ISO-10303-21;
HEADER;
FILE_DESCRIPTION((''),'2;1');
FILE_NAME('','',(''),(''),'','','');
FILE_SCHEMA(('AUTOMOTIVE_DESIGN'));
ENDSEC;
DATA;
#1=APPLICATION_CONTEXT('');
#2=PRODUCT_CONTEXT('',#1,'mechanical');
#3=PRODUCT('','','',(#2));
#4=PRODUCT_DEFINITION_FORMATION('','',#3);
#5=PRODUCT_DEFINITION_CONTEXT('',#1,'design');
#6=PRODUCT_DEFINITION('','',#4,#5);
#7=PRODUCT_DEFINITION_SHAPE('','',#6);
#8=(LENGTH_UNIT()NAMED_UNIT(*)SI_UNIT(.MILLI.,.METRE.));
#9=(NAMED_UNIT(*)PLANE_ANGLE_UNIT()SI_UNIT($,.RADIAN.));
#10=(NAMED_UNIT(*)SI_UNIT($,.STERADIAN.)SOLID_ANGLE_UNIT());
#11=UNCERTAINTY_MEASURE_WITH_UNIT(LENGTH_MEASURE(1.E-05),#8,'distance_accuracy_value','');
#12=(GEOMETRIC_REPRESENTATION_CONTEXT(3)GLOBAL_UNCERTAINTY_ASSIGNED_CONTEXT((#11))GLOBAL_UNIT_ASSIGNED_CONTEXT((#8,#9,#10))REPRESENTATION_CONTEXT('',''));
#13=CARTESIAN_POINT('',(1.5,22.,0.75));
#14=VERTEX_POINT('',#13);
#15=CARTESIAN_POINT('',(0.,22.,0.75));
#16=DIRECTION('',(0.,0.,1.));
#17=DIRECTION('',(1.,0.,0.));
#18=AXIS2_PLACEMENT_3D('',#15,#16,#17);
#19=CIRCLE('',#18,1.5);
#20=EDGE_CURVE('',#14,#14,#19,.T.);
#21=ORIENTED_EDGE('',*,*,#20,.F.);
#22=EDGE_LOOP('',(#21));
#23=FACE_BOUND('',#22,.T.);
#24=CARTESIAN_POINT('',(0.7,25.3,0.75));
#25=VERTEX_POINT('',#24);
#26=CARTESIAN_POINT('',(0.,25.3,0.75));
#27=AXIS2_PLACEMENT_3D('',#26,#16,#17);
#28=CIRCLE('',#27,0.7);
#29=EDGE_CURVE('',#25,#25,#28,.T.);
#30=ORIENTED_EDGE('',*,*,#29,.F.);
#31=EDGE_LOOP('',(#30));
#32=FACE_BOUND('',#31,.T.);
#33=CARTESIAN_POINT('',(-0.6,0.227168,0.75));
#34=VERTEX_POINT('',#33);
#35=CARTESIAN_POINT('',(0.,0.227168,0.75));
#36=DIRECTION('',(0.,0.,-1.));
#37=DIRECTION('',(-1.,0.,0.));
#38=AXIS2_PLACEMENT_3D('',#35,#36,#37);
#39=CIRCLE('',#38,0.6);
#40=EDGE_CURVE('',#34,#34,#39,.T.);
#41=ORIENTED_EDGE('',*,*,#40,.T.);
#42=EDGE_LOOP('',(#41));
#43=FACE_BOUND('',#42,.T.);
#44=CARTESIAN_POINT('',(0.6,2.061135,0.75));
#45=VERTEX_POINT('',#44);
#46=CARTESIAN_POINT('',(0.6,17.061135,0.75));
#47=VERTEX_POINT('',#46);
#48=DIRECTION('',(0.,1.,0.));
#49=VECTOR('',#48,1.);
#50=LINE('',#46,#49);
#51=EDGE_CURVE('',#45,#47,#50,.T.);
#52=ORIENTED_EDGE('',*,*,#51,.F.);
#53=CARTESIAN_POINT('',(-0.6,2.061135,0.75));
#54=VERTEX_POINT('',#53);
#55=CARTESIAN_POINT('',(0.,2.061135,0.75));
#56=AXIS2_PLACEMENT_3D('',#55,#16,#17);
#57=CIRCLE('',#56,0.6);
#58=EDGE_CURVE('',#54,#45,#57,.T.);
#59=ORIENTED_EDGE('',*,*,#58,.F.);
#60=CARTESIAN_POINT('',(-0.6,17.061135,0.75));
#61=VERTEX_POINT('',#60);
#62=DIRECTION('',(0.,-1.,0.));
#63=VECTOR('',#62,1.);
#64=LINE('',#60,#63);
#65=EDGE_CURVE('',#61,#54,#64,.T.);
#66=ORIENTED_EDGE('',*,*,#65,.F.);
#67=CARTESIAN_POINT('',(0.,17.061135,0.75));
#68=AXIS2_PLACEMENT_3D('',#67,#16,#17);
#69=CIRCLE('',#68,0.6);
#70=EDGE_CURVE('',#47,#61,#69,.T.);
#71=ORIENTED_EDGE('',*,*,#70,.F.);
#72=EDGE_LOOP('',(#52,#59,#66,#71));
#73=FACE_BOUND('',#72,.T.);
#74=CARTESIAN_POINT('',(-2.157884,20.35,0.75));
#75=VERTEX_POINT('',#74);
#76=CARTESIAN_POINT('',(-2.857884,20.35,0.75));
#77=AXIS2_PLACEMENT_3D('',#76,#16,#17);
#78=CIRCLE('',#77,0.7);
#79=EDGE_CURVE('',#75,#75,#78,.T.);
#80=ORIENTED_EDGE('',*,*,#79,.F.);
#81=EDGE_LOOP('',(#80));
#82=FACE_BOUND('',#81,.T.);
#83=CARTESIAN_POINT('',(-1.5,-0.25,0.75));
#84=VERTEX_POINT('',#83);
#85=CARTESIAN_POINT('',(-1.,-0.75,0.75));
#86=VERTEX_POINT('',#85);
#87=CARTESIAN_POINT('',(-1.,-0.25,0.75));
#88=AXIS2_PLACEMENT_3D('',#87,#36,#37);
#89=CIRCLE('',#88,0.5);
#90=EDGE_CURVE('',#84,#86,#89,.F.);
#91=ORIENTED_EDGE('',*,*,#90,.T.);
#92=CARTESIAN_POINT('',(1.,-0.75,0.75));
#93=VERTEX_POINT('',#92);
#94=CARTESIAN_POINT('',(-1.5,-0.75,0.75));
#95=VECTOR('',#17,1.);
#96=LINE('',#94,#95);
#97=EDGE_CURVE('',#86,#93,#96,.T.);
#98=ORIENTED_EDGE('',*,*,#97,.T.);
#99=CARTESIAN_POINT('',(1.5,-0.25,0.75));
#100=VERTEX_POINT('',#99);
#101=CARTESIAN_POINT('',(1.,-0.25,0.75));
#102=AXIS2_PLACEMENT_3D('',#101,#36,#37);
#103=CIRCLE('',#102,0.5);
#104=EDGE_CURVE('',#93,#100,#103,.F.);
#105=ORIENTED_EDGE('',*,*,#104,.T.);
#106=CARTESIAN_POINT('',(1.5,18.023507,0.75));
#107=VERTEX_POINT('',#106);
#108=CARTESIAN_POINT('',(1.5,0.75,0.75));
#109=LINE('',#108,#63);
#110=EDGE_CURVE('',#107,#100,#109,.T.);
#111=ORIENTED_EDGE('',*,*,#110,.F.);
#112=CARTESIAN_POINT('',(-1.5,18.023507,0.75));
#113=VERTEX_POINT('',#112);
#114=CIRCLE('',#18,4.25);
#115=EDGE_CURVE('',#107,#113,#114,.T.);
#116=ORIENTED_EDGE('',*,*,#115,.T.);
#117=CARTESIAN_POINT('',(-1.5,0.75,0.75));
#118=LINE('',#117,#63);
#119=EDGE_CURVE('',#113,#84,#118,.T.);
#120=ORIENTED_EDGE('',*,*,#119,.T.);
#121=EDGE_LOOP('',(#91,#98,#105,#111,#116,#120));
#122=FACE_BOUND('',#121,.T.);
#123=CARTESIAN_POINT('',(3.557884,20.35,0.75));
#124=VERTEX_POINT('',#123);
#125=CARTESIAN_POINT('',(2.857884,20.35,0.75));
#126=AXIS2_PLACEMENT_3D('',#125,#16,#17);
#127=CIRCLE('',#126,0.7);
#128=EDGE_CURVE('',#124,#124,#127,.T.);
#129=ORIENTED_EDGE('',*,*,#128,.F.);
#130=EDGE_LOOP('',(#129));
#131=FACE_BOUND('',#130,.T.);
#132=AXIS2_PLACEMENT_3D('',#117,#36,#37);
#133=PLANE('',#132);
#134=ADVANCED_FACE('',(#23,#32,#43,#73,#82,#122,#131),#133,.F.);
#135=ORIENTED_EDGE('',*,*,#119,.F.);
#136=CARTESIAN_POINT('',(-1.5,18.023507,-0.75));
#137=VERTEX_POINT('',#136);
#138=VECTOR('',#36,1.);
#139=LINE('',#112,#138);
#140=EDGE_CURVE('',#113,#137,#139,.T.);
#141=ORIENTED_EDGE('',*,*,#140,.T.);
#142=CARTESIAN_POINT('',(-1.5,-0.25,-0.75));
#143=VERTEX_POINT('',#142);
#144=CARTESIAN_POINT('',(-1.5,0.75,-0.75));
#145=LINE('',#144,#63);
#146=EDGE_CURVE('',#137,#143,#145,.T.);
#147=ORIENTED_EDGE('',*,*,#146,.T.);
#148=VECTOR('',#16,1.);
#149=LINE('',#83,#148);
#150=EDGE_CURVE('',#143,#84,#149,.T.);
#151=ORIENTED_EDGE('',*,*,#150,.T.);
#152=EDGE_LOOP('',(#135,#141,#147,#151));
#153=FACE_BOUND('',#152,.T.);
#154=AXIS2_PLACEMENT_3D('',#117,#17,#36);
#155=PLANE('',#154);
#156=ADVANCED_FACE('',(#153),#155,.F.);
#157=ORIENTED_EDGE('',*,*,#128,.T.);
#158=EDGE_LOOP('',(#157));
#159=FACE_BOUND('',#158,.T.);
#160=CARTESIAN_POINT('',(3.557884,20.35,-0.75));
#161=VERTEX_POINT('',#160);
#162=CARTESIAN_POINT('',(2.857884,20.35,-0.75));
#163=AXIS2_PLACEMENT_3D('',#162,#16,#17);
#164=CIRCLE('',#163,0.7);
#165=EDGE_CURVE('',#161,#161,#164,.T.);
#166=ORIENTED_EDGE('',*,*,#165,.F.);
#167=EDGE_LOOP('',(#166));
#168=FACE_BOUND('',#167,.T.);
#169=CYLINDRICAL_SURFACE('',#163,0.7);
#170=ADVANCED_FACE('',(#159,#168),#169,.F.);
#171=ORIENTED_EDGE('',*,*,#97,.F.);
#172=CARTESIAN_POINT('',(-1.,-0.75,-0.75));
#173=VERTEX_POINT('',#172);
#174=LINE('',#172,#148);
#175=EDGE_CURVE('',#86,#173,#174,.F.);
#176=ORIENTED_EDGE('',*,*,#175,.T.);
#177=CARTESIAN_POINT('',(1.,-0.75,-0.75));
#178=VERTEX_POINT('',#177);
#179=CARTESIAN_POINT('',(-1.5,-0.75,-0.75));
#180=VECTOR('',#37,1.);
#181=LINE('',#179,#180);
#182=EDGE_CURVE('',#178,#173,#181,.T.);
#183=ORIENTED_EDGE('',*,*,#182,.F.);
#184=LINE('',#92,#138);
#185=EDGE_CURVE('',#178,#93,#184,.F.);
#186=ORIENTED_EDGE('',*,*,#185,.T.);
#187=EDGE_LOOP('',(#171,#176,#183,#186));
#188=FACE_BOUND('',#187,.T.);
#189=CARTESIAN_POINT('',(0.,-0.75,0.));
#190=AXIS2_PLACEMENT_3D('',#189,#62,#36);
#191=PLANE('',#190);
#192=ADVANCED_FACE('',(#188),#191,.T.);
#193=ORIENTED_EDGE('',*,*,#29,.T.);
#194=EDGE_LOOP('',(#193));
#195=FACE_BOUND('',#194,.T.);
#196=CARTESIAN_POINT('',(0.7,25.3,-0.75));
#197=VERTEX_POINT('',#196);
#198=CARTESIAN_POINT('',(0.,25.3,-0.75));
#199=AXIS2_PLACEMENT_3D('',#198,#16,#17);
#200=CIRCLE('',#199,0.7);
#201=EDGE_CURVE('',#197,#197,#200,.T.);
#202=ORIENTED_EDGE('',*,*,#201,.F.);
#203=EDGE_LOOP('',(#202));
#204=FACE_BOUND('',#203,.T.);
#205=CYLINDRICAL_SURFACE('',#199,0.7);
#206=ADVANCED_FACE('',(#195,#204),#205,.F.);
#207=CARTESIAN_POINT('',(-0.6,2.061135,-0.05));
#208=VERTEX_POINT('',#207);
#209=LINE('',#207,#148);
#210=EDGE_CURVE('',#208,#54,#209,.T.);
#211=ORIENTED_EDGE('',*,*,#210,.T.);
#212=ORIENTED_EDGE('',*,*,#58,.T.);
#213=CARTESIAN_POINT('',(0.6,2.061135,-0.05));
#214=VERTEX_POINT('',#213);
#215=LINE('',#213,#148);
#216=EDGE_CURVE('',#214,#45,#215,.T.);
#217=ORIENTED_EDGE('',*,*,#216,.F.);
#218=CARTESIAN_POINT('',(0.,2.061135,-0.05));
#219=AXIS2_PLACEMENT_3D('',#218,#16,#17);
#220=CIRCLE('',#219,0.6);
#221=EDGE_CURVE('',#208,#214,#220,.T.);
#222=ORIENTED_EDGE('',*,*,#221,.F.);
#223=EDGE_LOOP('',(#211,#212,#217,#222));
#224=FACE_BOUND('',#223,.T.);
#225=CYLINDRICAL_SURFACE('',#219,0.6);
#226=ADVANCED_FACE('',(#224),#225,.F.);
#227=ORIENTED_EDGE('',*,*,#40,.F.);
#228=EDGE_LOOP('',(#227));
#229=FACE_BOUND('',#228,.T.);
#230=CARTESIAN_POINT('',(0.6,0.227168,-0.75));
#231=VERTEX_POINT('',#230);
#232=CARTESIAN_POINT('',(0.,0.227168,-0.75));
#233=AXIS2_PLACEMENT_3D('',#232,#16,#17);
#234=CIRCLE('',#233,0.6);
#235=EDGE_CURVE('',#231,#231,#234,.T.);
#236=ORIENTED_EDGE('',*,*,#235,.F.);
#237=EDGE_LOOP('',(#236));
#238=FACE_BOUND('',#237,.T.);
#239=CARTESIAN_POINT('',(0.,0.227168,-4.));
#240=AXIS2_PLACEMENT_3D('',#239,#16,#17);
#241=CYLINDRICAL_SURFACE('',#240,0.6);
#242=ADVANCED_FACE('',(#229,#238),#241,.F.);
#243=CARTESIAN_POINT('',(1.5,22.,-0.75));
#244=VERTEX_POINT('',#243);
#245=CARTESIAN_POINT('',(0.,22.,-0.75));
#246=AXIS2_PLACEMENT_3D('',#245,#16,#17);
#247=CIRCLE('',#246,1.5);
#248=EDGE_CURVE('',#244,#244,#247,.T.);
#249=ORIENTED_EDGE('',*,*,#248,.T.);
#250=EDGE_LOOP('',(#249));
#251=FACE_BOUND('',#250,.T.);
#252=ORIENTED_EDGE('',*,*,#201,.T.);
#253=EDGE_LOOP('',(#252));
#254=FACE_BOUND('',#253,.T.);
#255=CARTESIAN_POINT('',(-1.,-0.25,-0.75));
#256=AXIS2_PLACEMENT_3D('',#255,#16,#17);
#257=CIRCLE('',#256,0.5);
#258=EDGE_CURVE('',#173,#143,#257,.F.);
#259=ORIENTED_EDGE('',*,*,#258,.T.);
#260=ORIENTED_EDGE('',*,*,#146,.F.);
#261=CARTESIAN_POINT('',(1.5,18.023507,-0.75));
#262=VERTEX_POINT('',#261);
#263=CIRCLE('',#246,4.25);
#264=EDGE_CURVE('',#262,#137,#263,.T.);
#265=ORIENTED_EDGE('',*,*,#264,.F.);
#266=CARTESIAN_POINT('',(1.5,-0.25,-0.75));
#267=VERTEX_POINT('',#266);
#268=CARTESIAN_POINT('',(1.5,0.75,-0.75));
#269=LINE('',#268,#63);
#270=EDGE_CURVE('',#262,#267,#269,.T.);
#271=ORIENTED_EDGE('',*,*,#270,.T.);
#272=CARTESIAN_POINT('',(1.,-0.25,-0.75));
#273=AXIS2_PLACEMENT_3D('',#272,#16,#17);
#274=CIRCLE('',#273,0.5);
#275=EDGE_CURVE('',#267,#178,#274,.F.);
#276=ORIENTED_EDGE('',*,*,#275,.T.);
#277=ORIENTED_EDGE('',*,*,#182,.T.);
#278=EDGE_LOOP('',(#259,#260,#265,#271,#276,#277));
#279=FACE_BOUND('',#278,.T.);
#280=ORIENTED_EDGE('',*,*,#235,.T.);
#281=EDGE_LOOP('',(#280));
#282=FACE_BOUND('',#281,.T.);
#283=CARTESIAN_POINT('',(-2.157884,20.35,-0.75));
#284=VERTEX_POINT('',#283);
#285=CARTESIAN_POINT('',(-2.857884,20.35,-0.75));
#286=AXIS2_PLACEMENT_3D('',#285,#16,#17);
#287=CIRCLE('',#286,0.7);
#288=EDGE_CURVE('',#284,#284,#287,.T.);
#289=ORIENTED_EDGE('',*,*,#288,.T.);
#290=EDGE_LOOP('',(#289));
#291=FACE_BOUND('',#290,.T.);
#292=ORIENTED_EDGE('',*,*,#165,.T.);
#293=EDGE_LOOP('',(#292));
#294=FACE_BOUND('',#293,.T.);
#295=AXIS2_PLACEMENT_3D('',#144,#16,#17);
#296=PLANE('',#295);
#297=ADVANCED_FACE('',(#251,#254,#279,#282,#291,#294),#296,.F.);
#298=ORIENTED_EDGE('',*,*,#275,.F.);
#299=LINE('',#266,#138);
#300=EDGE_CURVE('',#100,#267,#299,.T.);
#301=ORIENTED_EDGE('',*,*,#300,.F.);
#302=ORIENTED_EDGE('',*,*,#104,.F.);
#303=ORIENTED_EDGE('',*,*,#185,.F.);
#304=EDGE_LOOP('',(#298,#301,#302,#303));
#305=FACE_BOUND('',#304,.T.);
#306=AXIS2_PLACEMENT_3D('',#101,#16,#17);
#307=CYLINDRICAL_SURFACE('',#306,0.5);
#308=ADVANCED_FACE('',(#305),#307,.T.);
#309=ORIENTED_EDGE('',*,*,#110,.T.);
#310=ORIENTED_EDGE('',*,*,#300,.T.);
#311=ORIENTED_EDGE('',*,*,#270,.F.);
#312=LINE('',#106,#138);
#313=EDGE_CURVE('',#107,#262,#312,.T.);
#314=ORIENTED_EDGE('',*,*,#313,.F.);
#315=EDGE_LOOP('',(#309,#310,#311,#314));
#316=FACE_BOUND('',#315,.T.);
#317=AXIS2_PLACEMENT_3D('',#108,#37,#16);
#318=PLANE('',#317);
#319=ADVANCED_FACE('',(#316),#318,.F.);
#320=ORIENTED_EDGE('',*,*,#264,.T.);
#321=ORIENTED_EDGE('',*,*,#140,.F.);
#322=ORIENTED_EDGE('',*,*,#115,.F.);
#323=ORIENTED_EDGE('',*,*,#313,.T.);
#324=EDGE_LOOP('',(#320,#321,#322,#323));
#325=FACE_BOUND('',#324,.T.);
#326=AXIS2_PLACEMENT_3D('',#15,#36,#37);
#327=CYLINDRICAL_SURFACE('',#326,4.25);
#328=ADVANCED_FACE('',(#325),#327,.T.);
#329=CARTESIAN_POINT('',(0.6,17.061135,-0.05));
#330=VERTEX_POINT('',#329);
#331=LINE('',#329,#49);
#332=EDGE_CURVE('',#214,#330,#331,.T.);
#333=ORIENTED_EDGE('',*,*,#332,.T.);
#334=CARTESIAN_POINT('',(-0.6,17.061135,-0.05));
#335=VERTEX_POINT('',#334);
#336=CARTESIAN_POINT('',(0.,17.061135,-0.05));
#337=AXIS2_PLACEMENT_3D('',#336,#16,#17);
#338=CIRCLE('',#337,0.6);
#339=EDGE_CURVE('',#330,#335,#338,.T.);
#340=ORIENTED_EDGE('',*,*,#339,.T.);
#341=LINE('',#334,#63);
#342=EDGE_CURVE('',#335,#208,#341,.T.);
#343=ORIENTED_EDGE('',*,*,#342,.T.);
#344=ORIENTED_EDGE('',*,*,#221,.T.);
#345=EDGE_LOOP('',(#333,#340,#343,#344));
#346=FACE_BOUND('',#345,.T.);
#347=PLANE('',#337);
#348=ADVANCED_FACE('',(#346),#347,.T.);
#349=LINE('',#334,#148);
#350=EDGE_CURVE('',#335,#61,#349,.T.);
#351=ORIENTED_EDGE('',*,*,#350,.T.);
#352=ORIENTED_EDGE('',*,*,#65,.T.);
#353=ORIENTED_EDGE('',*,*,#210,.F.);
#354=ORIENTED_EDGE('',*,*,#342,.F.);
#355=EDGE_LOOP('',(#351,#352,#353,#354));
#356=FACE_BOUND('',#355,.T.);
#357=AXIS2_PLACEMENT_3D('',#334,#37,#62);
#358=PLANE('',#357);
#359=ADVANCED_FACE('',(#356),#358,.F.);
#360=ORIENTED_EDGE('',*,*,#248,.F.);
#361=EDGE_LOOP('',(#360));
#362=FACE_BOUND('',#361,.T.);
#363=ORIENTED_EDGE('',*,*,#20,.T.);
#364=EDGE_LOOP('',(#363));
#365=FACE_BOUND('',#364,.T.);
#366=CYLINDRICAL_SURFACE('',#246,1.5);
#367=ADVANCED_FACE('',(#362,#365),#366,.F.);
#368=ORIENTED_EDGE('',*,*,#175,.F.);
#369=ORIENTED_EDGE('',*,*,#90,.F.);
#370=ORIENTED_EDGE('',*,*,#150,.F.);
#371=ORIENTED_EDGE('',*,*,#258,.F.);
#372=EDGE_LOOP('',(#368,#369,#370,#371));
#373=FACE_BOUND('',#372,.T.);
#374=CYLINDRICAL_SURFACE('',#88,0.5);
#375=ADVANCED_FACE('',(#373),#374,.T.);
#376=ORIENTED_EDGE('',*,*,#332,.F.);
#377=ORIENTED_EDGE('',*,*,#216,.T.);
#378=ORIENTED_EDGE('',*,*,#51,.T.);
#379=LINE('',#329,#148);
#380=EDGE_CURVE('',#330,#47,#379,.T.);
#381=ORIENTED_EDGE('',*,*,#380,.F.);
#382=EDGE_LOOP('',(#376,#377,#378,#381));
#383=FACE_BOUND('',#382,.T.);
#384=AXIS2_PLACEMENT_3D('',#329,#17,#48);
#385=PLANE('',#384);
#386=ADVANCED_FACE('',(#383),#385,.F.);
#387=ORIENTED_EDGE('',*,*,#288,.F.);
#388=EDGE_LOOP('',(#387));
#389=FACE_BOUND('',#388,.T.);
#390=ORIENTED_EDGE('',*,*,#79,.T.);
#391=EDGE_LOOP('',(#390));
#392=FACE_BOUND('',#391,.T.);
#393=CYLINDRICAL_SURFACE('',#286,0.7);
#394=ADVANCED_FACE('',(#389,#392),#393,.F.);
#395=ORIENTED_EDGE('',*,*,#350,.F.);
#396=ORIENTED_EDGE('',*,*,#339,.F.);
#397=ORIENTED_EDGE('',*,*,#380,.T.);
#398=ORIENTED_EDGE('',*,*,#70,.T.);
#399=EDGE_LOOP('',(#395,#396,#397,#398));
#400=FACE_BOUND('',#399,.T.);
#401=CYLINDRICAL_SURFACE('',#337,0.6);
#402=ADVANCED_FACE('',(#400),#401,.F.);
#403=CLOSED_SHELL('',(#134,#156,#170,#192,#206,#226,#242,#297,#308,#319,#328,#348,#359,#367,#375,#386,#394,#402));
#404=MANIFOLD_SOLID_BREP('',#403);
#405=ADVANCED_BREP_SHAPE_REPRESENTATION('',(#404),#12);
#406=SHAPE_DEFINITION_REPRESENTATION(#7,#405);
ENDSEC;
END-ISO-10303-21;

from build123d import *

# Parameters (mm, degrees)
SKETCH1_W           = 3
SKETCH1_H           = 1.5
BOSS_EXTRUDE1_DEPTH = 0.75
BOSS_EXTRUDE2_DEPTH = 0.75
SKETCH4_R           = 1.5
SKETCH4_R_2         = 0.7
CUT_EXTRUDE1_DEPTH  = 27.634094691
CUT_EXTRUDE2_DEPTH  = 0.8
FILLET1_R           = 0.5
SKETCH7_R           = 0.6
CUT_EXTRUDE4_DEPTH  = 4


with BuildPart() as part:
    # Sketch1 → Boss-Extrude1 (new, symmetric)
    with BuildSketch(Plane(origin=(0, 0, 0), x_dir=(1, 0, 0), z_dir=(0, 1, 0))):
        Rectangle(SKETCH1_W, SKETCH1_H)
    extrude(amount=BOSS_EXTRUDE1_DEPTH, both=True)

    # Sketch2 → Boss-Extrude2 (add, symmetric)
    with BuildSketch(Plane.XY):
        with BuildLine():
            Line((1.5, 0), (1.5, 18.02350657))
            ThreePointArc((1.5, 18.02350657), (0, 26.25), (-1.5, 18.02350657))
            Line((-1.5, 18.02350657), (-1.5, 0))
            Line((-1.5, 0), (1.5, 0))
        make_face()
    extrude(amount=BOSS_EXTRUDE2_DEPTH, both=True)

    # Sketch4 → Cut-Extrude1 (cut, through all)
    with BuildSketch(Plane.XY.offset(0.75)):
        with Locations((0, 22)):
            Circle(SKETCH4_R)
        with Locations((0, 25.3)):
            Circle(SKETCH4_R_2)
        with Locations((2.857883832, 20.35)):
            Circle(SKETCH4_R_2)
        with Locations((-2.857883832, 20.35)):
            Circle(SKETCH4_R_2)
    extrude(amount=-CUT_EXTRUDE1_DEPTH, mode=Mode.SUBTRACT)

    # Sketch5 → Cut-Extrude2 (cut)
    with BuildSketch(Plane.XY.offset(0.75)):
        with BuildLine():
            Line((0.6, 17.061134616), (0.6, 2.061134616))
            ThreePointArc((0.6, 2.061134616), (0, 1.461134616), (-0.6, 2.061134616))
            Line((-0.6, 2.061134616), (-0.6, 17.061134616))
            ThreePointArc((-0.6, 17.061134616), (0, 17.661134616), (0.6, 17.061134616))
        make_face()
    extrude(amount=-CUT_EXTRUDE2_DEPTH, mode=Mode.SUBTRACT)

    # Fillet1
    fillet1_edges = [part.edges().sort_by_distance(p)[0] for p in [
        (-1.5, -0.75, 0),
        (1.5, -0.75, 0),
    ]]
    fillet(fillet1_edges, radius=FILLET1_R)

    # Sketch7 → Cut-Extrude4 (cut, symmetric)
    with BuildSketch(Plane.XY):
        with Locations((0, 0.227167564)):
            Circle(SKETCH7_R)
    extrude(amount=CUT_EXTRUDE4_DEPTH, both=True, mode=Mode.SUBTRACT)


solid = part.part
